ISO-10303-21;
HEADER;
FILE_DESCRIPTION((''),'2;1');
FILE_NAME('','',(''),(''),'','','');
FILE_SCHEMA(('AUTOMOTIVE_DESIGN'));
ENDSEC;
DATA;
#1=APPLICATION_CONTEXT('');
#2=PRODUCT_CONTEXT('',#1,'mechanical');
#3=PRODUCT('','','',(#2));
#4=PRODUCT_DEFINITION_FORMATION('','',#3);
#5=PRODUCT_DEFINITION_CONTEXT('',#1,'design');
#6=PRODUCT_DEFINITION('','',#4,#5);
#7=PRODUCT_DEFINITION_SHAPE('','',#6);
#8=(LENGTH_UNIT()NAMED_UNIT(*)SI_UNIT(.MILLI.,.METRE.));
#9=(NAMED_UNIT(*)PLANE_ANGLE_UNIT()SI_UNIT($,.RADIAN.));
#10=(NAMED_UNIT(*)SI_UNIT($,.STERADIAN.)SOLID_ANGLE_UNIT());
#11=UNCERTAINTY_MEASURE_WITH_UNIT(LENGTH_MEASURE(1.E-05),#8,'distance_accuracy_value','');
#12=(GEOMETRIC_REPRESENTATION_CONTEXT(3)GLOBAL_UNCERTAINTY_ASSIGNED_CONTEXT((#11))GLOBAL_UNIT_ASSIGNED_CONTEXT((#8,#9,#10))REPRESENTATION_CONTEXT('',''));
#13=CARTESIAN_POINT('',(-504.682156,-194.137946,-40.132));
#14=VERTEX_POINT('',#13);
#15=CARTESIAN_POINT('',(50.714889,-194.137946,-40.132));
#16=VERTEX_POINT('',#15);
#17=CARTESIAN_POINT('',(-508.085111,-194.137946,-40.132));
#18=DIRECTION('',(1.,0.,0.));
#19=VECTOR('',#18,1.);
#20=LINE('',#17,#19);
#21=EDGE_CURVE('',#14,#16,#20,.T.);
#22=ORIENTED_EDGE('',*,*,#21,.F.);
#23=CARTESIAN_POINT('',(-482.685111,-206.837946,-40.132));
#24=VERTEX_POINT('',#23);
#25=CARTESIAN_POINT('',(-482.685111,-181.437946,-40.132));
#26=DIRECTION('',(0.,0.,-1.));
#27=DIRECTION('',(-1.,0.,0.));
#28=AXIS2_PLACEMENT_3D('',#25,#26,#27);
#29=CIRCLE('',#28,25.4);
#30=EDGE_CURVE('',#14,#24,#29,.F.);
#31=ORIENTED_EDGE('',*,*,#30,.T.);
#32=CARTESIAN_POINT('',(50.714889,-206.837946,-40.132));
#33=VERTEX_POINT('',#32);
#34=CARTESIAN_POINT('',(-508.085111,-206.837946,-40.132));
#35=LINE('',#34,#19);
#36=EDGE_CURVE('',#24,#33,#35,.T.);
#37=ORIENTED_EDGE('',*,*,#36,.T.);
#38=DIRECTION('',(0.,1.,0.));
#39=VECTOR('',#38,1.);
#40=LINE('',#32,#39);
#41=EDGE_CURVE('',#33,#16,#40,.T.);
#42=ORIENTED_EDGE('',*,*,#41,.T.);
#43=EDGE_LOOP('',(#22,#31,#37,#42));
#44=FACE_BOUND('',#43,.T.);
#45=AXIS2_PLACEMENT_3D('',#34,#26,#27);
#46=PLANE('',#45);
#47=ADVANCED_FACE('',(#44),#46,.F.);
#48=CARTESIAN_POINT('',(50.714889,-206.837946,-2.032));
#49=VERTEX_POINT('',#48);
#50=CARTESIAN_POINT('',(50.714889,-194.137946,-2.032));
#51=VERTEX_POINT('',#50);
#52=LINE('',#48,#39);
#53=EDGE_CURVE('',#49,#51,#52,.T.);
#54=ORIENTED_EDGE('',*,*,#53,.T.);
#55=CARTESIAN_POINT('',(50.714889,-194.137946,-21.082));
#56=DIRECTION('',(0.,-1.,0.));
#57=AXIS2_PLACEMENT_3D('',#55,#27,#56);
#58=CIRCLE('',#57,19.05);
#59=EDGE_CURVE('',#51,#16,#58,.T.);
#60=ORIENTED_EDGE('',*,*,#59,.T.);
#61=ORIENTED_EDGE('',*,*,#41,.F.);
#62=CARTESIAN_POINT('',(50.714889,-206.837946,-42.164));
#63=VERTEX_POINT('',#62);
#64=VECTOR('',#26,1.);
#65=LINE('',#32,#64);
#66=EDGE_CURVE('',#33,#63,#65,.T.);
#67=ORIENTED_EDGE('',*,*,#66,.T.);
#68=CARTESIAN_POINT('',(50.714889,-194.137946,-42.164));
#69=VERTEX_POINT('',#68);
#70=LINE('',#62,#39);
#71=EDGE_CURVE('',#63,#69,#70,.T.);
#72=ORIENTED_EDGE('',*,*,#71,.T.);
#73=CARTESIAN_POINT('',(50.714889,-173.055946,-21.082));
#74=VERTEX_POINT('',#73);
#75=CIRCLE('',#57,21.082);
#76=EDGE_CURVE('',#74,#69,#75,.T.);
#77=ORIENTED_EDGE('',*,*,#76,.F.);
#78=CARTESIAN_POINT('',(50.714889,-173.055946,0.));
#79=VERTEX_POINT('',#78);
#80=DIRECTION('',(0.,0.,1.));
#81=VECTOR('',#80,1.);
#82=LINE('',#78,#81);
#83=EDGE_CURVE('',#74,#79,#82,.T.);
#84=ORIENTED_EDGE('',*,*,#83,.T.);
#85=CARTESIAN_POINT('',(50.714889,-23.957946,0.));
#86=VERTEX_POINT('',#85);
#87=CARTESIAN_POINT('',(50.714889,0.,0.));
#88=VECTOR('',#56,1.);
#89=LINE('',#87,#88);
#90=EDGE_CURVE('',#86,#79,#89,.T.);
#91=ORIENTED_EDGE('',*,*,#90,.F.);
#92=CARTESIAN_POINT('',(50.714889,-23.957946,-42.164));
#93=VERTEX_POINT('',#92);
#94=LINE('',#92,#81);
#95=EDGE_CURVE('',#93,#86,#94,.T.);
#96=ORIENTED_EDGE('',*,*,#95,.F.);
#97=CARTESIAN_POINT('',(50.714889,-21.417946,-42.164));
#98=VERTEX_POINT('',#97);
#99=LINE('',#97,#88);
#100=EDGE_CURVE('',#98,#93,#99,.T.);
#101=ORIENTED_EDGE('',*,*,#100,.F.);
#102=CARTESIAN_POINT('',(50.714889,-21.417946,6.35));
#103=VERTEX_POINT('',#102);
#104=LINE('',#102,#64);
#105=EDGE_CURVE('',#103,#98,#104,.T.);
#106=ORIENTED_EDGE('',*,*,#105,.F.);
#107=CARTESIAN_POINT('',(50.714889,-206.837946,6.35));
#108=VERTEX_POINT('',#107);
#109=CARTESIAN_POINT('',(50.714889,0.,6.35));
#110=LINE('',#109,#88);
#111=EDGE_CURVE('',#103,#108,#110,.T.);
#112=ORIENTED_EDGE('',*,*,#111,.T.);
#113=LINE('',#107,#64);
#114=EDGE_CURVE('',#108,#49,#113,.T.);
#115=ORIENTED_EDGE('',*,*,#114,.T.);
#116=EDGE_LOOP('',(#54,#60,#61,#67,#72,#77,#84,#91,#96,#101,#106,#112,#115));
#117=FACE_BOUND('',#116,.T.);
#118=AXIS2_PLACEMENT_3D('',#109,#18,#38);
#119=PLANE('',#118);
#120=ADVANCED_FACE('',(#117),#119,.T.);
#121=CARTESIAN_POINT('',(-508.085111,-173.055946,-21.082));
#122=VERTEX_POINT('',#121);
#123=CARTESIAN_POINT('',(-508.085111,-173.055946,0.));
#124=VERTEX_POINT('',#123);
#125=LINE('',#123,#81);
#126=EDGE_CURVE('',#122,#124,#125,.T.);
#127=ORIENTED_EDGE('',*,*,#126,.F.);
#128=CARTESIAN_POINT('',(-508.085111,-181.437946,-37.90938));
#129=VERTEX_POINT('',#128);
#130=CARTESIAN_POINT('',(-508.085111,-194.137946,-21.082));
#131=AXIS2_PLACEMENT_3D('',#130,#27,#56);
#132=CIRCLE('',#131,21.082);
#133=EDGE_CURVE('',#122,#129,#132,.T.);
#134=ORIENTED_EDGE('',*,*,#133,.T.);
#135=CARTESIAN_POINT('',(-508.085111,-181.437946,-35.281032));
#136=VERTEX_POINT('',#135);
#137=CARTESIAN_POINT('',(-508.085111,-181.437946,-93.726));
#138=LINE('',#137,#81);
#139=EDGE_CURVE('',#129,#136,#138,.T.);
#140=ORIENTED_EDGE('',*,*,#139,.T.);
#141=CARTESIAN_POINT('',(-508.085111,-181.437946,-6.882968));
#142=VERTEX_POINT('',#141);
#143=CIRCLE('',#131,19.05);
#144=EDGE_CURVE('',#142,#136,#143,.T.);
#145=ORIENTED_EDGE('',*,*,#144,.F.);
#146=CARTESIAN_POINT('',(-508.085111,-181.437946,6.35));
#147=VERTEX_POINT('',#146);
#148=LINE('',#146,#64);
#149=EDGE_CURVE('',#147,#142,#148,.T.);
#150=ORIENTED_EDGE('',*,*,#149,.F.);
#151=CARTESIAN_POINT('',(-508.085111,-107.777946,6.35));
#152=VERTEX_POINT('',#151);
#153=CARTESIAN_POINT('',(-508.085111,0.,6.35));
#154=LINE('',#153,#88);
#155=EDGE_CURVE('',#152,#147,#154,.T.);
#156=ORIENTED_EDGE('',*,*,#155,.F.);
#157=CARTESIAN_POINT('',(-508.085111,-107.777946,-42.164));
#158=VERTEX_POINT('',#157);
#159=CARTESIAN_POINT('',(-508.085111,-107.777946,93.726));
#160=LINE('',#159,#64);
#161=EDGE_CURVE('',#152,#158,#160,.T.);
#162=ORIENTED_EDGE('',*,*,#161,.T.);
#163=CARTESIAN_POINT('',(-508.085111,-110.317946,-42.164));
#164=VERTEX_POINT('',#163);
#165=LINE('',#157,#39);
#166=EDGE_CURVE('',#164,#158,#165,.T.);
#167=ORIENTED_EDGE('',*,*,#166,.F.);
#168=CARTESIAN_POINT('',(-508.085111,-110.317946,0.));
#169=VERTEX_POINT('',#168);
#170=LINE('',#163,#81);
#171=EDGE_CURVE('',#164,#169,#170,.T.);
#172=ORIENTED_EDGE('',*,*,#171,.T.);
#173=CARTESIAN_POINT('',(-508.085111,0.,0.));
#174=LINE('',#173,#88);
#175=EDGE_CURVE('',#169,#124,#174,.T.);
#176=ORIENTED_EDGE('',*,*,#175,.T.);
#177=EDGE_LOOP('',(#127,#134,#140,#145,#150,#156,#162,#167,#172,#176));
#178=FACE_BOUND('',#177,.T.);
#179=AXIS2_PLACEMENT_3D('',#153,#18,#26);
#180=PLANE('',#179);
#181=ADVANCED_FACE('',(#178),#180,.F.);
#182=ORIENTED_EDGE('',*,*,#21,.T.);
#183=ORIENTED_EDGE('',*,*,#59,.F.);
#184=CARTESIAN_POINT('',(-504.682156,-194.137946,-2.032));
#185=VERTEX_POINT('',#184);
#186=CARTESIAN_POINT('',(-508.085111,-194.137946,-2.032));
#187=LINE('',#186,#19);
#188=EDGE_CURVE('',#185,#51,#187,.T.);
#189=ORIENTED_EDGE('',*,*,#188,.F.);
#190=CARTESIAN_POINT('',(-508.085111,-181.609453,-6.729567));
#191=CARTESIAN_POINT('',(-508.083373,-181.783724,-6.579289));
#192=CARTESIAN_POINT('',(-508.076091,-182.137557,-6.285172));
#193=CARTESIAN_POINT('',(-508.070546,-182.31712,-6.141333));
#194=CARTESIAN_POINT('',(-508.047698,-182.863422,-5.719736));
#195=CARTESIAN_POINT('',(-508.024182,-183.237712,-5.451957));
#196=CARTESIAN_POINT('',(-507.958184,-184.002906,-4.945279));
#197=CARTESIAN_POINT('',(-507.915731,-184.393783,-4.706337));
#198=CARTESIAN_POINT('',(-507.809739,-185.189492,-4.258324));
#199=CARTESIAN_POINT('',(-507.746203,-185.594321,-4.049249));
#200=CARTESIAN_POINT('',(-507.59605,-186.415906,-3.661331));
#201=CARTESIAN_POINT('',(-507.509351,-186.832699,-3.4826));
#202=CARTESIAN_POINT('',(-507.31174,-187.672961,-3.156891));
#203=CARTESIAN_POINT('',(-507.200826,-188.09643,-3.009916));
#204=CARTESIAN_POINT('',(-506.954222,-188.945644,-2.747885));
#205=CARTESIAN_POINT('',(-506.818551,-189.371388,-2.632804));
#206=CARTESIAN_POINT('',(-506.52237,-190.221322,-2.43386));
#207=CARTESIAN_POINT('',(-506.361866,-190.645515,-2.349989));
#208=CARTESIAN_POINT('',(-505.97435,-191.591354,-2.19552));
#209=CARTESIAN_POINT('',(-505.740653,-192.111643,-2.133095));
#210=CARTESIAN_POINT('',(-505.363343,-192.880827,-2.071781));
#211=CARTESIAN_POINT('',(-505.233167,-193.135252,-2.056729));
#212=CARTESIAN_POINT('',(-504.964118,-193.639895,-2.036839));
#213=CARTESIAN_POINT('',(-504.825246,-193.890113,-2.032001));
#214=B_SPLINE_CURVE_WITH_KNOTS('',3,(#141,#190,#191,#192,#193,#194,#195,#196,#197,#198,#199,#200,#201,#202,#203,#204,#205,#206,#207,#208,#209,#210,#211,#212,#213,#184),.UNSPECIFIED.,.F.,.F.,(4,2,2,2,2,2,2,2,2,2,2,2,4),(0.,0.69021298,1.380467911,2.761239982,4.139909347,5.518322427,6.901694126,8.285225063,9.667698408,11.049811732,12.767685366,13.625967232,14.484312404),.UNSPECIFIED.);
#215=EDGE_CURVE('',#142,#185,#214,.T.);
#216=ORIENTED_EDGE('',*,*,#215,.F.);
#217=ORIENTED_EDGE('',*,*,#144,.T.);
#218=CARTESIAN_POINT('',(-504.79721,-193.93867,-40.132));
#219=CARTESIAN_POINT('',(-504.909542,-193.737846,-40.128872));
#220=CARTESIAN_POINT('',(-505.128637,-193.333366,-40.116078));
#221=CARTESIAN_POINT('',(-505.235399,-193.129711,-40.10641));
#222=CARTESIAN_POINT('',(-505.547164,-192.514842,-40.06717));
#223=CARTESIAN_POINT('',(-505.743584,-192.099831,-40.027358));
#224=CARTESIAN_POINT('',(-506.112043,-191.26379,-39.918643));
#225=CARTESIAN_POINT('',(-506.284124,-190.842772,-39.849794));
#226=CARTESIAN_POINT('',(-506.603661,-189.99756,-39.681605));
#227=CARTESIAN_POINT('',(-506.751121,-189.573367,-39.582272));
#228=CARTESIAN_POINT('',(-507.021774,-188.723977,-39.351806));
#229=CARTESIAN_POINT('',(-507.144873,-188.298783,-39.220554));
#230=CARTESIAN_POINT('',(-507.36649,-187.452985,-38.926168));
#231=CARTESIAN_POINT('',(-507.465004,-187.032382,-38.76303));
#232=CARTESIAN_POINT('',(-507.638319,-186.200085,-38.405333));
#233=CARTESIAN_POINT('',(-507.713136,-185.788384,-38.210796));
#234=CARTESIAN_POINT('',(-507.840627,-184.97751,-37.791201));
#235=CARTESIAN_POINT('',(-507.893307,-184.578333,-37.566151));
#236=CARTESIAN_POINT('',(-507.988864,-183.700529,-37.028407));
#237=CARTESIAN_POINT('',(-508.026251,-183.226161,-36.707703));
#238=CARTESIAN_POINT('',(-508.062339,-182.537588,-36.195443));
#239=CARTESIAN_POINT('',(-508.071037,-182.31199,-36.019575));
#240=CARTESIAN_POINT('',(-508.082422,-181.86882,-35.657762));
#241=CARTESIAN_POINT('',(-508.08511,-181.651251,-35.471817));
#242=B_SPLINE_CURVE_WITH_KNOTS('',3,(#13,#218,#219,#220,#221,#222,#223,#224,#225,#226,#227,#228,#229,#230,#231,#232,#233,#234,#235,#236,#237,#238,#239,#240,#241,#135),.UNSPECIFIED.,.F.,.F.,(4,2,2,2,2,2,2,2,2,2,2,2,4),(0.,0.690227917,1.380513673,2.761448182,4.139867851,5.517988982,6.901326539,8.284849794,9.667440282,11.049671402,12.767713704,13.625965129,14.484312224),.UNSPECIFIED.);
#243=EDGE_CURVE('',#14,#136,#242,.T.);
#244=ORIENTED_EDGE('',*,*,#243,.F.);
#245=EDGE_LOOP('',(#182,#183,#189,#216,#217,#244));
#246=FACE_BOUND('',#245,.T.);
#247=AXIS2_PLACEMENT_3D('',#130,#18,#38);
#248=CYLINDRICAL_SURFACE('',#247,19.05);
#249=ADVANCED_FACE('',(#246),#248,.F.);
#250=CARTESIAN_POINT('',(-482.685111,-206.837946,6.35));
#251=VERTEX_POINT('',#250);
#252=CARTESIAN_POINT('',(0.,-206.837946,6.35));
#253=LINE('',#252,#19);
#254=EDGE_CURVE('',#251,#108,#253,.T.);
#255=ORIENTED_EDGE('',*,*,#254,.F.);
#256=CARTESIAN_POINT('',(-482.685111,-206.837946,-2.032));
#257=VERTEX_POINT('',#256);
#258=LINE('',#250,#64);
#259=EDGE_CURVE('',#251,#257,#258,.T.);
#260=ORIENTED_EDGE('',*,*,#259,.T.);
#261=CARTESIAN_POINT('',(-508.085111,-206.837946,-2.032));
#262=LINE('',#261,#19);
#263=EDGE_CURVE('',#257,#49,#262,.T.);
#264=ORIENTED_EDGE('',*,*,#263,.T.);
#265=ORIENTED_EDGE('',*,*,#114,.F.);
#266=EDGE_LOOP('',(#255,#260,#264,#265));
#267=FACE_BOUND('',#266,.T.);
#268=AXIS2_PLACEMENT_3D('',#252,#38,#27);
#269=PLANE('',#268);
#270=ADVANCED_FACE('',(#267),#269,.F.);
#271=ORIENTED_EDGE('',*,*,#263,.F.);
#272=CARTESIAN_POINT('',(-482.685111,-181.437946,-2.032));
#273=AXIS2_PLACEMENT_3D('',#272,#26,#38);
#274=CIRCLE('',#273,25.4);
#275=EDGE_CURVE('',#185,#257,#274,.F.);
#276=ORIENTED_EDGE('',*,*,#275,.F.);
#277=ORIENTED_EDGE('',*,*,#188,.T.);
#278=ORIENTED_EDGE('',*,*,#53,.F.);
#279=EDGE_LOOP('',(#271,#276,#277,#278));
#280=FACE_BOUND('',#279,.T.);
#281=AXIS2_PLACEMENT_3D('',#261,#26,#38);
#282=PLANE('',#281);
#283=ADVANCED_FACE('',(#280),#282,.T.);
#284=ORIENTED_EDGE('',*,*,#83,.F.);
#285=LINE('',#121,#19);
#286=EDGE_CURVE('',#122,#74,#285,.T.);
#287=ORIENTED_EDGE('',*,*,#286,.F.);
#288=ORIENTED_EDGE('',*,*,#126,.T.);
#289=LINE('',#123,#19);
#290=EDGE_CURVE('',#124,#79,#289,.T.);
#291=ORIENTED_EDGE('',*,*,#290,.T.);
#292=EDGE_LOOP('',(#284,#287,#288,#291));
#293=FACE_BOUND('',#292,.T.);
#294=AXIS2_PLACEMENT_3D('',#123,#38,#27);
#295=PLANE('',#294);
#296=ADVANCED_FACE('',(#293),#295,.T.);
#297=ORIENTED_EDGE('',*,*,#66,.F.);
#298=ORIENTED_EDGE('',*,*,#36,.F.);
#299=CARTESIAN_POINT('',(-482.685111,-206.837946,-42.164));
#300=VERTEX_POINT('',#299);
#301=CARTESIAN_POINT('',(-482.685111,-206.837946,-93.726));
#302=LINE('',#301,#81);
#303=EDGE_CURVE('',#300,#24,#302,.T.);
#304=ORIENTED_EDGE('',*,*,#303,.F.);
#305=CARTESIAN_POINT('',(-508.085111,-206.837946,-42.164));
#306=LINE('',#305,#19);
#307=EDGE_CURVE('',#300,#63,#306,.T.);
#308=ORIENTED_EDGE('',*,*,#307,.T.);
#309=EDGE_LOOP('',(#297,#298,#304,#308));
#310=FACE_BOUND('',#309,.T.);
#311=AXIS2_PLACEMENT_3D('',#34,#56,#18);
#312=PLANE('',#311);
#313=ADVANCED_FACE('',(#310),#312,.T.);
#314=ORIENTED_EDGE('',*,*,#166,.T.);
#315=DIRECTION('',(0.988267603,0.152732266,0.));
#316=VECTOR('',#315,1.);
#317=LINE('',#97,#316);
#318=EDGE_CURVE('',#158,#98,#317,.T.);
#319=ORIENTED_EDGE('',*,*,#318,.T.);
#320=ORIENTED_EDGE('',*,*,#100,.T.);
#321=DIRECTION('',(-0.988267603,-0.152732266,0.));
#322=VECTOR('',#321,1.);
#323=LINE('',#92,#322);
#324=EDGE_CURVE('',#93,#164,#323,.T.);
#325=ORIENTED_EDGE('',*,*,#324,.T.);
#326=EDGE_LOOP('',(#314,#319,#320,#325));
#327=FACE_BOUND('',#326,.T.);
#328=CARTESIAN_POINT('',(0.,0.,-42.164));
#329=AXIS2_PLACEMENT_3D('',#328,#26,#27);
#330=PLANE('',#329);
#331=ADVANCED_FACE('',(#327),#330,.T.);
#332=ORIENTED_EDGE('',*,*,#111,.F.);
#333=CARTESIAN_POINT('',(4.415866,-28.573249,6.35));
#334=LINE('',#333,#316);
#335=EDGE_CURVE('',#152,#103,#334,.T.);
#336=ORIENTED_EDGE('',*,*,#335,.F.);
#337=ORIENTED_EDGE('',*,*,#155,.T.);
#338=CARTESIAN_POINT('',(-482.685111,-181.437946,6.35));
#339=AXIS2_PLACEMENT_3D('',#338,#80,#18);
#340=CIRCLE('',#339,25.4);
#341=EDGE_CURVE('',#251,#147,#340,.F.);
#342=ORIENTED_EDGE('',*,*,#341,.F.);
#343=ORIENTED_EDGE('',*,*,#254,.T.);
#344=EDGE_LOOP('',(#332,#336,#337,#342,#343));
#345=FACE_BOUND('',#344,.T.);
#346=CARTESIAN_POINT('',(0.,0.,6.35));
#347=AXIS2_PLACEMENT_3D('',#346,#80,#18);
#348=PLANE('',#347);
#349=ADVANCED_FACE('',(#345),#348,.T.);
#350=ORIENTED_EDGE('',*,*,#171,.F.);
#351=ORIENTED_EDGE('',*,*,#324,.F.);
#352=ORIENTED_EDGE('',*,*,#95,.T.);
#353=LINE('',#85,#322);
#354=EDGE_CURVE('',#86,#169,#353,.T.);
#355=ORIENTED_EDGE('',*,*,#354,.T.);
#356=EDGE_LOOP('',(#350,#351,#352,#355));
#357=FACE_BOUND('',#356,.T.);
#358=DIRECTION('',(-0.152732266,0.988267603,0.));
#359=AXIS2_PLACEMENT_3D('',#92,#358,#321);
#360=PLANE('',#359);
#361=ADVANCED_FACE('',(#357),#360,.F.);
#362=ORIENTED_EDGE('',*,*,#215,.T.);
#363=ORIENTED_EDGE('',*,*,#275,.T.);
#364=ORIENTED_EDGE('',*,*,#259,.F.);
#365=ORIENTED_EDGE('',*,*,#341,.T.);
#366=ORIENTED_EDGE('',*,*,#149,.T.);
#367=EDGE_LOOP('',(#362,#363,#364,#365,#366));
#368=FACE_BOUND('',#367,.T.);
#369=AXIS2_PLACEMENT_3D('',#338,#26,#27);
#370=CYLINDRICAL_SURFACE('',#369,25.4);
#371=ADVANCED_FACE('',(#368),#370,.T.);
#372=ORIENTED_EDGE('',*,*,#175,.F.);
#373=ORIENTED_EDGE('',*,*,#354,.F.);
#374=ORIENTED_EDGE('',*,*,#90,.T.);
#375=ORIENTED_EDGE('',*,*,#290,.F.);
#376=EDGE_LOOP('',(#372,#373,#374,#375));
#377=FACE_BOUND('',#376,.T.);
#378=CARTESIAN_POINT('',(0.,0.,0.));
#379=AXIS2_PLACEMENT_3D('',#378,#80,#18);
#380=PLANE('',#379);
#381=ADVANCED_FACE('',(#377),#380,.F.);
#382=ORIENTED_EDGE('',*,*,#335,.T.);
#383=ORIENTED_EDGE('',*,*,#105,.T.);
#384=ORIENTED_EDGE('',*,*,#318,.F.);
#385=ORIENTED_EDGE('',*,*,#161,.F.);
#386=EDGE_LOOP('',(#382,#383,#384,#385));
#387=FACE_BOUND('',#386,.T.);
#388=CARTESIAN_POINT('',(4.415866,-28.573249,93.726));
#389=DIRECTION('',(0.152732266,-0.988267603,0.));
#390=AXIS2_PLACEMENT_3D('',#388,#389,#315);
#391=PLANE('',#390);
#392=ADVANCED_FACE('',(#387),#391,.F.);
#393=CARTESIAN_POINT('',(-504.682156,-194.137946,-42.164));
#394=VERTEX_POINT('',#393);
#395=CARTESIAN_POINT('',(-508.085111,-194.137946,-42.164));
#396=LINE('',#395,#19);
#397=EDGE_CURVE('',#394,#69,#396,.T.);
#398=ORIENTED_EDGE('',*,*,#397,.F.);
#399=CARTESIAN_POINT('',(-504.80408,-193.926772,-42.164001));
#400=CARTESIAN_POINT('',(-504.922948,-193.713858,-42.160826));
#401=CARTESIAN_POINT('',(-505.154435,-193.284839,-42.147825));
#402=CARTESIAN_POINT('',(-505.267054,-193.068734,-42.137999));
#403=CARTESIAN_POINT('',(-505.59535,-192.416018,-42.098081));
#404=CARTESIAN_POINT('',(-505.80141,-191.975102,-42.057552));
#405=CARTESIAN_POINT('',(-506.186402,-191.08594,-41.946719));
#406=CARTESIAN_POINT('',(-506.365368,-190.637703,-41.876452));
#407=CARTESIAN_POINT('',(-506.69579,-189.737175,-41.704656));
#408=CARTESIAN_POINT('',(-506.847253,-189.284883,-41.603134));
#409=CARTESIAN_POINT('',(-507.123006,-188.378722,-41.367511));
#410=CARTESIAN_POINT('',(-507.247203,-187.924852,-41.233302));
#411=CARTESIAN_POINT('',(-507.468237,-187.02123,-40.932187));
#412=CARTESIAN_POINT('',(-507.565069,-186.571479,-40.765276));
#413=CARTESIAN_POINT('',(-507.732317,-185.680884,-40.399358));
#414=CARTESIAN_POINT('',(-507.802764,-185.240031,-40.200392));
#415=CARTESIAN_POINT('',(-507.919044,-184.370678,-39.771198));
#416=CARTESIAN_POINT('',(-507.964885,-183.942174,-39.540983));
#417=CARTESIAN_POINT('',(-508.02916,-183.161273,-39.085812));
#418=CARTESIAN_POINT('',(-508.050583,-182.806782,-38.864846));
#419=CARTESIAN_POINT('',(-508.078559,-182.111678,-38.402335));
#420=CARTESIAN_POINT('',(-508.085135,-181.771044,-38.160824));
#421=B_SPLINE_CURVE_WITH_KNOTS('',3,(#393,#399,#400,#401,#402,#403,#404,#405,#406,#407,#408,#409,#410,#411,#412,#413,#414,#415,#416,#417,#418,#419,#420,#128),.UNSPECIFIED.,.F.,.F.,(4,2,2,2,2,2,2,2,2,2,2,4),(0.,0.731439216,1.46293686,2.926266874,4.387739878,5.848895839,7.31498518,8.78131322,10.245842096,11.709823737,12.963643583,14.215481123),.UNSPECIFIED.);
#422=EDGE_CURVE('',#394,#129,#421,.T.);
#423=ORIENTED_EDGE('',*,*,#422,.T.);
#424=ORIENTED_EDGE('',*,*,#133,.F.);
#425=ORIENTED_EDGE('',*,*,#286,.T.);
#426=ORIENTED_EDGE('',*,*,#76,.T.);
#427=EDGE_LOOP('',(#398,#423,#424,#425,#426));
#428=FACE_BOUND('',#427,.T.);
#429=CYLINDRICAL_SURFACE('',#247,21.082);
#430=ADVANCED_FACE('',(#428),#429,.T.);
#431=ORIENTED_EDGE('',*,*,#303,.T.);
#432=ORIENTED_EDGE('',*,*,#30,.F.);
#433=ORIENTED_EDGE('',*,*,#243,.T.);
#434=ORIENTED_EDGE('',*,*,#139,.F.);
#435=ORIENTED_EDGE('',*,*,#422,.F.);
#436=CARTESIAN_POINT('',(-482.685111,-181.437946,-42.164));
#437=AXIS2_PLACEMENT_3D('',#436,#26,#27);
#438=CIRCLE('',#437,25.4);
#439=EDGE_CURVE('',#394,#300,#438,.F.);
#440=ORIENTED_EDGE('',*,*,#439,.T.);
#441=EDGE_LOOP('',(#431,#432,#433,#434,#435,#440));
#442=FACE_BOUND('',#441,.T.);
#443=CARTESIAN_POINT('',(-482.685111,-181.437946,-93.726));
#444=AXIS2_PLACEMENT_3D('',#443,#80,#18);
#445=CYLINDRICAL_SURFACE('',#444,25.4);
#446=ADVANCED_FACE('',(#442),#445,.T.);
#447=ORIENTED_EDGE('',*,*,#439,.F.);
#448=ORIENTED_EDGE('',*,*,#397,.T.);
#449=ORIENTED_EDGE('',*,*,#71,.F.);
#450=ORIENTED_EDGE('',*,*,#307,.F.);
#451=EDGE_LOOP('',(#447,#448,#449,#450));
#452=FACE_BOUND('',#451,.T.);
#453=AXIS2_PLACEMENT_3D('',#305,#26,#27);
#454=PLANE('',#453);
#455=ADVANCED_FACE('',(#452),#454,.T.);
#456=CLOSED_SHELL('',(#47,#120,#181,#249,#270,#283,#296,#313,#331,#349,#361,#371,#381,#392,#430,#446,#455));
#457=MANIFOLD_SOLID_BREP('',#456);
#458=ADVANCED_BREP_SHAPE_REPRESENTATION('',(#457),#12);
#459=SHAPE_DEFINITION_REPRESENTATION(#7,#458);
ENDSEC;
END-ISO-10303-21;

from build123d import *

# Parameters (mm, degrees)
BOSS_EXTRUDE1_DEPTH = 6.35
BOSS_EXTRUDE2_DEPTH = 558.8
CUT_EXTRUDE1_START  = -93.726
CUT_EXTRUDE1_DEPTH  = 93.726
CUT_EXTRUDE2_DEPTH  = 93.726
BOSS_EXTRUDE3_DEPTH = 42.164


with BuildPart() as part:
    # Sketch1 → Boss-Extrude1 (new body)
    with BuildSketch(Plane.XY):
        with BuildLine():
            Line((-508.085110878, -46.817945662), (-508.085110878, -168.737945662))
            Line((-508.085110878, -168.737945662), (-508.085110878, -181.437945662))
            ThreePointArc((-508.085110878, -181.437945662), (-500.64562312, -199.398457904), (-482.685110878, -206.837945662))
            Line((-482.685110878, -206.837945662), (50.714889122, -206.837945662))
            Line((50.714889122, -206.837945662), (50.714889122, -21.417945662))
            Line((50.714889122, -21.417945662), (-482.685110878, -21.417945662))
            ThreePointArc((-482.685110878, -21.417945662), (-500.64562312, -28.85743342), (-508.085110878, -46.817945662))
        make_face()
    extrude(amount=BOSS_EXTRUDE1_DEPTH)

    # Sketch2 → Boss-Extrude2 (add, through all)
    with BuildSketch(Plane(origin=(50.714889122, 0, 0), x_dir=(0, 0, -1), z_dir=(1, 0, 0))):
        with BuildLine():
            Line((0, -173.055945662), (0, -206.837945662))
            Line((0, -206.837945662), (2.032, -206.837945662))
            Line((2.032, -206.837945662), (2.032, -194.137945662))
            ThreePointArc((2.032, -194.137945662), (21.082, -175.087945662), (40.132, -194.137945662))
            Line((40.132, -194.137945662), (40.132, -206.837945662))
            Line((40.132, -206.837945662), (42.164, -206.837945662))
            Line((42.164, -206.837945662), (42.164, -194.137945662))
            ThreePointArc((42.164, -194.137945662), (35.989225161, -179.230720501), (21.082, -173.055945662))
            Line((21.082, -173.055945662), (0, -173.055945662))
        make_face()
    extrude(amount=-BOSS_EXTRUDE2_DEPTH)

    # Sketch3 → Cut-Extrude1 (cut)
    with BuildSketch(Plane.XY.offset(CUT_EXTRUDE1_START)):
        with BuildLine():
            Line((-508.085110878, -206.837945662), (-482.685110878, -206.837945662))
            ThreePointArc((-482.685110878, -206.837945662), (-500.64562312, -199.398457904), (-508.085110878, -181.437945662))
            Line((-508.085110878, -181.437945662), (-508.085110878, -206.837945662))
        make_face()
    extrude(amount=CUT_EXTRUDE1_DEPTH, mode=Mode.SUBTRACT)

    # Sketch4 → Cut-Extrude2 (cut)
    with BuildSketch(Plane(origin=(0, 0, 0), x_dir=(-1, 0, 0), z_dir=(0, 0, -1))):
        with BuildLine():
            Line((482.685110878, -21.417945662), (-50.714889122, -21.417945662))
            Line((-50.714889122, -21.417945662), (508.085110878, -107.777945662))
            Line((508.085110878, -107.777945662), (508.085110878, -46.817945662))
            ThreePointArc((508.085110878, -46.817945662), (500.64562312, -28.85743342), (482.685110878, -21.417945662))
        make_face()
    extrude(amount=-CUT_EXTRUDE2_DEPTH, mode=Mode.SUBTRACT)

    # Sketch5 → Boss-Extrude3 (add, through all)
    with BuildSketch(Plane(origin=(0, 0, 0), x_dir=(-1, 0, 0), z_dir=(0, 0, -1))):
        Polygon((-50.714889122, -21.417945662), (508.085110878, -107.777945662), (508.085110878, -110.317945662), (-50.714889122, -23.957945662), align=None)
    extrude(amount=BOSS_EXTRUDE3_DEPTH)


solid = part.part
